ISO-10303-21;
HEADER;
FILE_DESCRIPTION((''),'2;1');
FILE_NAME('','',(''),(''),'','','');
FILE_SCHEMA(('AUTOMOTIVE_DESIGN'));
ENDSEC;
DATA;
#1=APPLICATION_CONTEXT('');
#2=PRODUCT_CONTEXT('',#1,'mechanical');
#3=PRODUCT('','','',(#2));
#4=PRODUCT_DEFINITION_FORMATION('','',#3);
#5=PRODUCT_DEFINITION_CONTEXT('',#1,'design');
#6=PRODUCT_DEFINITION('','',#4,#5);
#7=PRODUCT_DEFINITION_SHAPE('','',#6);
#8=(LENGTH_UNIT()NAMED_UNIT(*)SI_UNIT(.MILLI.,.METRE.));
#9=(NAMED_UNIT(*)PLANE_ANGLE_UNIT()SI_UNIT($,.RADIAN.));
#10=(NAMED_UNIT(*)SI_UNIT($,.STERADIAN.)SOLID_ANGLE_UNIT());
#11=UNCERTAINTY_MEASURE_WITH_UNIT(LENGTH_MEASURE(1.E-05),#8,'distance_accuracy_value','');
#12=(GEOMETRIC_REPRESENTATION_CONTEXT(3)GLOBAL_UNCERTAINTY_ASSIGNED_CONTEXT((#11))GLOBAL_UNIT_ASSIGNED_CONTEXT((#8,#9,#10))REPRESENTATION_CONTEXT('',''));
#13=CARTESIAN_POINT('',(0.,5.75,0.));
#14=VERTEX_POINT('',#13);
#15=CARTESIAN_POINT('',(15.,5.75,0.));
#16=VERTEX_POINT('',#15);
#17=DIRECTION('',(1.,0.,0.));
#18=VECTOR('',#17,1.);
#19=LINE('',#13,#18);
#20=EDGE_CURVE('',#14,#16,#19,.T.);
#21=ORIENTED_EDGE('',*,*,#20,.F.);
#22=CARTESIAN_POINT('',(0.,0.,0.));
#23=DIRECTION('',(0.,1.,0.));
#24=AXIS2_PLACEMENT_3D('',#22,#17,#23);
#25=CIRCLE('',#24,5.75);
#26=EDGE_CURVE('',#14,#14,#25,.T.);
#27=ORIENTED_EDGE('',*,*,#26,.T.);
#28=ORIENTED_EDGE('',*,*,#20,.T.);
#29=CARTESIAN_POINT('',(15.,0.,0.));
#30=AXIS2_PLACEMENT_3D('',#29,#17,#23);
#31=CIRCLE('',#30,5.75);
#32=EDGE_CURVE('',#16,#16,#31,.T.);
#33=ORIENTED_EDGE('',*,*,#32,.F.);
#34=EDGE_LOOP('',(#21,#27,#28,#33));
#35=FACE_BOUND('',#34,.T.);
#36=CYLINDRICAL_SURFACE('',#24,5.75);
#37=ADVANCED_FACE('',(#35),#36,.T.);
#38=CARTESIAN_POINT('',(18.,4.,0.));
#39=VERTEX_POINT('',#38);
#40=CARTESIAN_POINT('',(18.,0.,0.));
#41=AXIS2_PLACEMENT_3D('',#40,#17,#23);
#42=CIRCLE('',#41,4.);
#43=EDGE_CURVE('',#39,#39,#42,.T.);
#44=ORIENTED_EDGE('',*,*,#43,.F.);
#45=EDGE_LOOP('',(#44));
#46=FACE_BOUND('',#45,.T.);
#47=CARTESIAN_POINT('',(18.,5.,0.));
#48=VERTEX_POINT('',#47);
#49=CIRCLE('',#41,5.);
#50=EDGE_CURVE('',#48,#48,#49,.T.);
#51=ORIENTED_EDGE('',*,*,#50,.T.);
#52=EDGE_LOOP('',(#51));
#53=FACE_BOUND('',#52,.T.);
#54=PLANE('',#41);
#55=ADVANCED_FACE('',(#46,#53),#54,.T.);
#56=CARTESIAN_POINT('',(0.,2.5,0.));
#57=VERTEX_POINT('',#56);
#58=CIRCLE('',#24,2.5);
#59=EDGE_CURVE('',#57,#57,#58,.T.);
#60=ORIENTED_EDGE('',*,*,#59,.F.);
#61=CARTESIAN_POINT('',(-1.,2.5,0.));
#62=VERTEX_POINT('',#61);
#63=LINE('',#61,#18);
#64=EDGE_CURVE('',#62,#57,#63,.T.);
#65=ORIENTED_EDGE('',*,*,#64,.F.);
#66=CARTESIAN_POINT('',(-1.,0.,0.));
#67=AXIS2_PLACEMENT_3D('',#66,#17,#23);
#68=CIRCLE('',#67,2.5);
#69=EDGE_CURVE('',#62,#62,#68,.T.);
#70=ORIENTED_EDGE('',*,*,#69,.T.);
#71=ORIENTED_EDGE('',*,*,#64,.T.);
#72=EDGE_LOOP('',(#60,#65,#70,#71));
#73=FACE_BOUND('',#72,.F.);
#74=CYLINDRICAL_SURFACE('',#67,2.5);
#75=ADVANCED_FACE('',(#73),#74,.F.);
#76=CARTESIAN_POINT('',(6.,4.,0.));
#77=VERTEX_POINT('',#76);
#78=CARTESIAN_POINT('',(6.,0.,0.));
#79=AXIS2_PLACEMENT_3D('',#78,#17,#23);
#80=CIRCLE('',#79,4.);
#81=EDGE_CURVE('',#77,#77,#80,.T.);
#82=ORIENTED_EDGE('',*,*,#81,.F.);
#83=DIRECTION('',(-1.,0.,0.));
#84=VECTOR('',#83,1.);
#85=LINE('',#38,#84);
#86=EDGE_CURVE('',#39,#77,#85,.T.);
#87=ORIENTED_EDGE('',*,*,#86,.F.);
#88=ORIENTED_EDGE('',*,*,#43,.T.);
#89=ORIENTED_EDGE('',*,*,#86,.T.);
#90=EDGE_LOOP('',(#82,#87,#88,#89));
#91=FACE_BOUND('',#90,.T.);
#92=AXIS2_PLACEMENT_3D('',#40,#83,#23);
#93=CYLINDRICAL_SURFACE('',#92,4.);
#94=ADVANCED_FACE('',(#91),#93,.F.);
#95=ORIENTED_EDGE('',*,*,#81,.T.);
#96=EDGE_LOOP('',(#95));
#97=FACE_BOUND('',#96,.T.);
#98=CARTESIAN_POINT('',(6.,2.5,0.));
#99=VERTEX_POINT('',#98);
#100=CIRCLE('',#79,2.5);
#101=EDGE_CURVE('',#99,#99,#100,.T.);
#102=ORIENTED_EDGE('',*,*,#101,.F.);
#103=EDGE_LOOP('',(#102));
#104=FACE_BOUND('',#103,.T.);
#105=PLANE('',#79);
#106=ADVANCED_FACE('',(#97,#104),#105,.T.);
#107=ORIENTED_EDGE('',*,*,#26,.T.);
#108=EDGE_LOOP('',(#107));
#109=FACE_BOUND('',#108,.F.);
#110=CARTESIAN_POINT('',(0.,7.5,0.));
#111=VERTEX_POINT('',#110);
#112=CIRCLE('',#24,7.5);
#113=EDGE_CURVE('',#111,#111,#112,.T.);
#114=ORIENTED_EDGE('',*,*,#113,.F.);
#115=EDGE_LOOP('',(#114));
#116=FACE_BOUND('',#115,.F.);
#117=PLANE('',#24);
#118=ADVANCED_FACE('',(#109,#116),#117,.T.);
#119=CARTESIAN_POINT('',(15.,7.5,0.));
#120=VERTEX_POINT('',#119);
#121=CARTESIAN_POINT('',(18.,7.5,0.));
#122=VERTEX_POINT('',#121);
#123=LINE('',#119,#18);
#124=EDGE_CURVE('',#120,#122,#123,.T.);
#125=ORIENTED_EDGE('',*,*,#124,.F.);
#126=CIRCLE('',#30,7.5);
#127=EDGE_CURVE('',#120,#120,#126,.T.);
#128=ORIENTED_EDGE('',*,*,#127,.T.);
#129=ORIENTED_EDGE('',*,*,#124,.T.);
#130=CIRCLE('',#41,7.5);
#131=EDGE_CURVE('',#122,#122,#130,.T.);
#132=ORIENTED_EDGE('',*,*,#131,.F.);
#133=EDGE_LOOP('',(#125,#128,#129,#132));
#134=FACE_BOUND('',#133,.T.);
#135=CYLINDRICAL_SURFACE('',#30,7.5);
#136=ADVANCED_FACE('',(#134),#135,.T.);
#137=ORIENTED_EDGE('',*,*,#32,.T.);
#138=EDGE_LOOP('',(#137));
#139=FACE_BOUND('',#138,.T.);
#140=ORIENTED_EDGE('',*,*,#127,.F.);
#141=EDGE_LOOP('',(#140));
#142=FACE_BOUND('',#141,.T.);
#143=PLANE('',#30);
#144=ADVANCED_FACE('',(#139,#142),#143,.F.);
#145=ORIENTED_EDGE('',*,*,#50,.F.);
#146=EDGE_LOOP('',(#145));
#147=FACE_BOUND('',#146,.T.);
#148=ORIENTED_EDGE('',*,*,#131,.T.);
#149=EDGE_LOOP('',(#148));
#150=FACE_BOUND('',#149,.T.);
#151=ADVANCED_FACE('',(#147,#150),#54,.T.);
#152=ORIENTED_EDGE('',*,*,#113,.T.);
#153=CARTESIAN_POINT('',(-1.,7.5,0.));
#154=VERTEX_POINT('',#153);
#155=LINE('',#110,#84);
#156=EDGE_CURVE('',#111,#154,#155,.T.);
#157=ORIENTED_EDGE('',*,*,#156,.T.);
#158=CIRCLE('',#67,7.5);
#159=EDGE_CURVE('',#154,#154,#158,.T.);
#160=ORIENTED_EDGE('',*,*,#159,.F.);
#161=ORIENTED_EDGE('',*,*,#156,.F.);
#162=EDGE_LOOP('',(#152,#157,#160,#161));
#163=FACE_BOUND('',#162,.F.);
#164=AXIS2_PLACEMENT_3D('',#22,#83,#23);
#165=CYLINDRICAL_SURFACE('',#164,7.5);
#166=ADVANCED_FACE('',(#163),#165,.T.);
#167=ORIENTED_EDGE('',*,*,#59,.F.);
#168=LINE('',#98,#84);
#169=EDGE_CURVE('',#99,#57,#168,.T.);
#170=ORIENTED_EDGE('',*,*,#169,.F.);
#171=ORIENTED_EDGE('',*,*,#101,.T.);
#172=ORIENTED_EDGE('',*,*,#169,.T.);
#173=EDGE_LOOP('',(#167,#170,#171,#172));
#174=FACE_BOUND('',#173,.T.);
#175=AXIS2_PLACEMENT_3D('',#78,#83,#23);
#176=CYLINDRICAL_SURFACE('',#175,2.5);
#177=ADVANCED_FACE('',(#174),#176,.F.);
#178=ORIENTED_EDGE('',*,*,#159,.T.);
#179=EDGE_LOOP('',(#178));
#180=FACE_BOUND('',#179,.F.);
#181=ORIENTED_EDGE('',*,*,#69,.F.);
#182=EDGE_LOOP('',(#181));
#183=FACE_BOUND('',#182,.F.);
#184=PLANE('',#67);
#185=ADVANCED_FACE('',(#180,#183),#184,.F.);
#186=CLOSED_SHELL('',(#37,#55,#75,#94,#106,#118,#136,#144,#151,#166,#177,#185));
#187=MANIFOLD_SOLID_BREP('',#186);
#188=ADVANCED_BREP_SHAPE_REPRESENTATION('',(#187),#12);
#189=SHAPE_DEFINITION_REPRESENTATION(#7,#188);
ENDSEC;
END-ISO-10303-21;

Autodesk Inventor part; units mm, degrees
ref_plane "YZ Plane" through (0, 0, 0) normal (1, 0, 0) x (0, 1, 0)
ref_plane "XZ Plane" through (0, 0, 0) normal (0, 1, 0) x (-1, 0, 0)
ref_plane "XY Plane" through (0, 0, 0) normal (0, 0, 1) x (1, 0, 0)
sketch "Sketch1" plane through (0, 0, 0) normal (0, 0, 1) x (1, 0, 0)
  line L0 (0, 0) -> (4, 0)
  line L1 (0, 0) -> (0, 2.5)
  line L2 (0, 5.75) -> (15, 5.75)
  line L3 (15, 5.75) -> (15, 7.5)
  line L4 (18, 5) -> (18, 4)
  line L5 (18, 4) -> (6, 4)
  line L6 (6, 4) -> (6, 2.5)
  line L7 (6, 2.5) -> (0, 2.5)
  line L8 (0, 5.75) -> (0, 7.5)
  line L9 (0, 7.5) -> (-1, 7.5)
  line L10 (-1, 7.5) -> (-1, 2.5)
  line L11 (-1, 2.5) -> (0, 2.5)
  line L12 (15, 7.5) -> (18, 7.5)
  line L13 (18, 7.5) -> (18, 5)
  dimension "d0" = 4
  dimension "d1" = 5.75
  dimension "d2" = 15
  dimension "d3" = 1.75
  dimension "d7" = 1
  dimension "d8" = 12
  dimension "d9" = 1.5
  dimension "d11" = 1
revolve "Revolution1" add sketch "Sketch1" angle 360 about axis through (0, 0, 0) along (1, 0, 0)
properties part number "pignon 12 dents cournt"
